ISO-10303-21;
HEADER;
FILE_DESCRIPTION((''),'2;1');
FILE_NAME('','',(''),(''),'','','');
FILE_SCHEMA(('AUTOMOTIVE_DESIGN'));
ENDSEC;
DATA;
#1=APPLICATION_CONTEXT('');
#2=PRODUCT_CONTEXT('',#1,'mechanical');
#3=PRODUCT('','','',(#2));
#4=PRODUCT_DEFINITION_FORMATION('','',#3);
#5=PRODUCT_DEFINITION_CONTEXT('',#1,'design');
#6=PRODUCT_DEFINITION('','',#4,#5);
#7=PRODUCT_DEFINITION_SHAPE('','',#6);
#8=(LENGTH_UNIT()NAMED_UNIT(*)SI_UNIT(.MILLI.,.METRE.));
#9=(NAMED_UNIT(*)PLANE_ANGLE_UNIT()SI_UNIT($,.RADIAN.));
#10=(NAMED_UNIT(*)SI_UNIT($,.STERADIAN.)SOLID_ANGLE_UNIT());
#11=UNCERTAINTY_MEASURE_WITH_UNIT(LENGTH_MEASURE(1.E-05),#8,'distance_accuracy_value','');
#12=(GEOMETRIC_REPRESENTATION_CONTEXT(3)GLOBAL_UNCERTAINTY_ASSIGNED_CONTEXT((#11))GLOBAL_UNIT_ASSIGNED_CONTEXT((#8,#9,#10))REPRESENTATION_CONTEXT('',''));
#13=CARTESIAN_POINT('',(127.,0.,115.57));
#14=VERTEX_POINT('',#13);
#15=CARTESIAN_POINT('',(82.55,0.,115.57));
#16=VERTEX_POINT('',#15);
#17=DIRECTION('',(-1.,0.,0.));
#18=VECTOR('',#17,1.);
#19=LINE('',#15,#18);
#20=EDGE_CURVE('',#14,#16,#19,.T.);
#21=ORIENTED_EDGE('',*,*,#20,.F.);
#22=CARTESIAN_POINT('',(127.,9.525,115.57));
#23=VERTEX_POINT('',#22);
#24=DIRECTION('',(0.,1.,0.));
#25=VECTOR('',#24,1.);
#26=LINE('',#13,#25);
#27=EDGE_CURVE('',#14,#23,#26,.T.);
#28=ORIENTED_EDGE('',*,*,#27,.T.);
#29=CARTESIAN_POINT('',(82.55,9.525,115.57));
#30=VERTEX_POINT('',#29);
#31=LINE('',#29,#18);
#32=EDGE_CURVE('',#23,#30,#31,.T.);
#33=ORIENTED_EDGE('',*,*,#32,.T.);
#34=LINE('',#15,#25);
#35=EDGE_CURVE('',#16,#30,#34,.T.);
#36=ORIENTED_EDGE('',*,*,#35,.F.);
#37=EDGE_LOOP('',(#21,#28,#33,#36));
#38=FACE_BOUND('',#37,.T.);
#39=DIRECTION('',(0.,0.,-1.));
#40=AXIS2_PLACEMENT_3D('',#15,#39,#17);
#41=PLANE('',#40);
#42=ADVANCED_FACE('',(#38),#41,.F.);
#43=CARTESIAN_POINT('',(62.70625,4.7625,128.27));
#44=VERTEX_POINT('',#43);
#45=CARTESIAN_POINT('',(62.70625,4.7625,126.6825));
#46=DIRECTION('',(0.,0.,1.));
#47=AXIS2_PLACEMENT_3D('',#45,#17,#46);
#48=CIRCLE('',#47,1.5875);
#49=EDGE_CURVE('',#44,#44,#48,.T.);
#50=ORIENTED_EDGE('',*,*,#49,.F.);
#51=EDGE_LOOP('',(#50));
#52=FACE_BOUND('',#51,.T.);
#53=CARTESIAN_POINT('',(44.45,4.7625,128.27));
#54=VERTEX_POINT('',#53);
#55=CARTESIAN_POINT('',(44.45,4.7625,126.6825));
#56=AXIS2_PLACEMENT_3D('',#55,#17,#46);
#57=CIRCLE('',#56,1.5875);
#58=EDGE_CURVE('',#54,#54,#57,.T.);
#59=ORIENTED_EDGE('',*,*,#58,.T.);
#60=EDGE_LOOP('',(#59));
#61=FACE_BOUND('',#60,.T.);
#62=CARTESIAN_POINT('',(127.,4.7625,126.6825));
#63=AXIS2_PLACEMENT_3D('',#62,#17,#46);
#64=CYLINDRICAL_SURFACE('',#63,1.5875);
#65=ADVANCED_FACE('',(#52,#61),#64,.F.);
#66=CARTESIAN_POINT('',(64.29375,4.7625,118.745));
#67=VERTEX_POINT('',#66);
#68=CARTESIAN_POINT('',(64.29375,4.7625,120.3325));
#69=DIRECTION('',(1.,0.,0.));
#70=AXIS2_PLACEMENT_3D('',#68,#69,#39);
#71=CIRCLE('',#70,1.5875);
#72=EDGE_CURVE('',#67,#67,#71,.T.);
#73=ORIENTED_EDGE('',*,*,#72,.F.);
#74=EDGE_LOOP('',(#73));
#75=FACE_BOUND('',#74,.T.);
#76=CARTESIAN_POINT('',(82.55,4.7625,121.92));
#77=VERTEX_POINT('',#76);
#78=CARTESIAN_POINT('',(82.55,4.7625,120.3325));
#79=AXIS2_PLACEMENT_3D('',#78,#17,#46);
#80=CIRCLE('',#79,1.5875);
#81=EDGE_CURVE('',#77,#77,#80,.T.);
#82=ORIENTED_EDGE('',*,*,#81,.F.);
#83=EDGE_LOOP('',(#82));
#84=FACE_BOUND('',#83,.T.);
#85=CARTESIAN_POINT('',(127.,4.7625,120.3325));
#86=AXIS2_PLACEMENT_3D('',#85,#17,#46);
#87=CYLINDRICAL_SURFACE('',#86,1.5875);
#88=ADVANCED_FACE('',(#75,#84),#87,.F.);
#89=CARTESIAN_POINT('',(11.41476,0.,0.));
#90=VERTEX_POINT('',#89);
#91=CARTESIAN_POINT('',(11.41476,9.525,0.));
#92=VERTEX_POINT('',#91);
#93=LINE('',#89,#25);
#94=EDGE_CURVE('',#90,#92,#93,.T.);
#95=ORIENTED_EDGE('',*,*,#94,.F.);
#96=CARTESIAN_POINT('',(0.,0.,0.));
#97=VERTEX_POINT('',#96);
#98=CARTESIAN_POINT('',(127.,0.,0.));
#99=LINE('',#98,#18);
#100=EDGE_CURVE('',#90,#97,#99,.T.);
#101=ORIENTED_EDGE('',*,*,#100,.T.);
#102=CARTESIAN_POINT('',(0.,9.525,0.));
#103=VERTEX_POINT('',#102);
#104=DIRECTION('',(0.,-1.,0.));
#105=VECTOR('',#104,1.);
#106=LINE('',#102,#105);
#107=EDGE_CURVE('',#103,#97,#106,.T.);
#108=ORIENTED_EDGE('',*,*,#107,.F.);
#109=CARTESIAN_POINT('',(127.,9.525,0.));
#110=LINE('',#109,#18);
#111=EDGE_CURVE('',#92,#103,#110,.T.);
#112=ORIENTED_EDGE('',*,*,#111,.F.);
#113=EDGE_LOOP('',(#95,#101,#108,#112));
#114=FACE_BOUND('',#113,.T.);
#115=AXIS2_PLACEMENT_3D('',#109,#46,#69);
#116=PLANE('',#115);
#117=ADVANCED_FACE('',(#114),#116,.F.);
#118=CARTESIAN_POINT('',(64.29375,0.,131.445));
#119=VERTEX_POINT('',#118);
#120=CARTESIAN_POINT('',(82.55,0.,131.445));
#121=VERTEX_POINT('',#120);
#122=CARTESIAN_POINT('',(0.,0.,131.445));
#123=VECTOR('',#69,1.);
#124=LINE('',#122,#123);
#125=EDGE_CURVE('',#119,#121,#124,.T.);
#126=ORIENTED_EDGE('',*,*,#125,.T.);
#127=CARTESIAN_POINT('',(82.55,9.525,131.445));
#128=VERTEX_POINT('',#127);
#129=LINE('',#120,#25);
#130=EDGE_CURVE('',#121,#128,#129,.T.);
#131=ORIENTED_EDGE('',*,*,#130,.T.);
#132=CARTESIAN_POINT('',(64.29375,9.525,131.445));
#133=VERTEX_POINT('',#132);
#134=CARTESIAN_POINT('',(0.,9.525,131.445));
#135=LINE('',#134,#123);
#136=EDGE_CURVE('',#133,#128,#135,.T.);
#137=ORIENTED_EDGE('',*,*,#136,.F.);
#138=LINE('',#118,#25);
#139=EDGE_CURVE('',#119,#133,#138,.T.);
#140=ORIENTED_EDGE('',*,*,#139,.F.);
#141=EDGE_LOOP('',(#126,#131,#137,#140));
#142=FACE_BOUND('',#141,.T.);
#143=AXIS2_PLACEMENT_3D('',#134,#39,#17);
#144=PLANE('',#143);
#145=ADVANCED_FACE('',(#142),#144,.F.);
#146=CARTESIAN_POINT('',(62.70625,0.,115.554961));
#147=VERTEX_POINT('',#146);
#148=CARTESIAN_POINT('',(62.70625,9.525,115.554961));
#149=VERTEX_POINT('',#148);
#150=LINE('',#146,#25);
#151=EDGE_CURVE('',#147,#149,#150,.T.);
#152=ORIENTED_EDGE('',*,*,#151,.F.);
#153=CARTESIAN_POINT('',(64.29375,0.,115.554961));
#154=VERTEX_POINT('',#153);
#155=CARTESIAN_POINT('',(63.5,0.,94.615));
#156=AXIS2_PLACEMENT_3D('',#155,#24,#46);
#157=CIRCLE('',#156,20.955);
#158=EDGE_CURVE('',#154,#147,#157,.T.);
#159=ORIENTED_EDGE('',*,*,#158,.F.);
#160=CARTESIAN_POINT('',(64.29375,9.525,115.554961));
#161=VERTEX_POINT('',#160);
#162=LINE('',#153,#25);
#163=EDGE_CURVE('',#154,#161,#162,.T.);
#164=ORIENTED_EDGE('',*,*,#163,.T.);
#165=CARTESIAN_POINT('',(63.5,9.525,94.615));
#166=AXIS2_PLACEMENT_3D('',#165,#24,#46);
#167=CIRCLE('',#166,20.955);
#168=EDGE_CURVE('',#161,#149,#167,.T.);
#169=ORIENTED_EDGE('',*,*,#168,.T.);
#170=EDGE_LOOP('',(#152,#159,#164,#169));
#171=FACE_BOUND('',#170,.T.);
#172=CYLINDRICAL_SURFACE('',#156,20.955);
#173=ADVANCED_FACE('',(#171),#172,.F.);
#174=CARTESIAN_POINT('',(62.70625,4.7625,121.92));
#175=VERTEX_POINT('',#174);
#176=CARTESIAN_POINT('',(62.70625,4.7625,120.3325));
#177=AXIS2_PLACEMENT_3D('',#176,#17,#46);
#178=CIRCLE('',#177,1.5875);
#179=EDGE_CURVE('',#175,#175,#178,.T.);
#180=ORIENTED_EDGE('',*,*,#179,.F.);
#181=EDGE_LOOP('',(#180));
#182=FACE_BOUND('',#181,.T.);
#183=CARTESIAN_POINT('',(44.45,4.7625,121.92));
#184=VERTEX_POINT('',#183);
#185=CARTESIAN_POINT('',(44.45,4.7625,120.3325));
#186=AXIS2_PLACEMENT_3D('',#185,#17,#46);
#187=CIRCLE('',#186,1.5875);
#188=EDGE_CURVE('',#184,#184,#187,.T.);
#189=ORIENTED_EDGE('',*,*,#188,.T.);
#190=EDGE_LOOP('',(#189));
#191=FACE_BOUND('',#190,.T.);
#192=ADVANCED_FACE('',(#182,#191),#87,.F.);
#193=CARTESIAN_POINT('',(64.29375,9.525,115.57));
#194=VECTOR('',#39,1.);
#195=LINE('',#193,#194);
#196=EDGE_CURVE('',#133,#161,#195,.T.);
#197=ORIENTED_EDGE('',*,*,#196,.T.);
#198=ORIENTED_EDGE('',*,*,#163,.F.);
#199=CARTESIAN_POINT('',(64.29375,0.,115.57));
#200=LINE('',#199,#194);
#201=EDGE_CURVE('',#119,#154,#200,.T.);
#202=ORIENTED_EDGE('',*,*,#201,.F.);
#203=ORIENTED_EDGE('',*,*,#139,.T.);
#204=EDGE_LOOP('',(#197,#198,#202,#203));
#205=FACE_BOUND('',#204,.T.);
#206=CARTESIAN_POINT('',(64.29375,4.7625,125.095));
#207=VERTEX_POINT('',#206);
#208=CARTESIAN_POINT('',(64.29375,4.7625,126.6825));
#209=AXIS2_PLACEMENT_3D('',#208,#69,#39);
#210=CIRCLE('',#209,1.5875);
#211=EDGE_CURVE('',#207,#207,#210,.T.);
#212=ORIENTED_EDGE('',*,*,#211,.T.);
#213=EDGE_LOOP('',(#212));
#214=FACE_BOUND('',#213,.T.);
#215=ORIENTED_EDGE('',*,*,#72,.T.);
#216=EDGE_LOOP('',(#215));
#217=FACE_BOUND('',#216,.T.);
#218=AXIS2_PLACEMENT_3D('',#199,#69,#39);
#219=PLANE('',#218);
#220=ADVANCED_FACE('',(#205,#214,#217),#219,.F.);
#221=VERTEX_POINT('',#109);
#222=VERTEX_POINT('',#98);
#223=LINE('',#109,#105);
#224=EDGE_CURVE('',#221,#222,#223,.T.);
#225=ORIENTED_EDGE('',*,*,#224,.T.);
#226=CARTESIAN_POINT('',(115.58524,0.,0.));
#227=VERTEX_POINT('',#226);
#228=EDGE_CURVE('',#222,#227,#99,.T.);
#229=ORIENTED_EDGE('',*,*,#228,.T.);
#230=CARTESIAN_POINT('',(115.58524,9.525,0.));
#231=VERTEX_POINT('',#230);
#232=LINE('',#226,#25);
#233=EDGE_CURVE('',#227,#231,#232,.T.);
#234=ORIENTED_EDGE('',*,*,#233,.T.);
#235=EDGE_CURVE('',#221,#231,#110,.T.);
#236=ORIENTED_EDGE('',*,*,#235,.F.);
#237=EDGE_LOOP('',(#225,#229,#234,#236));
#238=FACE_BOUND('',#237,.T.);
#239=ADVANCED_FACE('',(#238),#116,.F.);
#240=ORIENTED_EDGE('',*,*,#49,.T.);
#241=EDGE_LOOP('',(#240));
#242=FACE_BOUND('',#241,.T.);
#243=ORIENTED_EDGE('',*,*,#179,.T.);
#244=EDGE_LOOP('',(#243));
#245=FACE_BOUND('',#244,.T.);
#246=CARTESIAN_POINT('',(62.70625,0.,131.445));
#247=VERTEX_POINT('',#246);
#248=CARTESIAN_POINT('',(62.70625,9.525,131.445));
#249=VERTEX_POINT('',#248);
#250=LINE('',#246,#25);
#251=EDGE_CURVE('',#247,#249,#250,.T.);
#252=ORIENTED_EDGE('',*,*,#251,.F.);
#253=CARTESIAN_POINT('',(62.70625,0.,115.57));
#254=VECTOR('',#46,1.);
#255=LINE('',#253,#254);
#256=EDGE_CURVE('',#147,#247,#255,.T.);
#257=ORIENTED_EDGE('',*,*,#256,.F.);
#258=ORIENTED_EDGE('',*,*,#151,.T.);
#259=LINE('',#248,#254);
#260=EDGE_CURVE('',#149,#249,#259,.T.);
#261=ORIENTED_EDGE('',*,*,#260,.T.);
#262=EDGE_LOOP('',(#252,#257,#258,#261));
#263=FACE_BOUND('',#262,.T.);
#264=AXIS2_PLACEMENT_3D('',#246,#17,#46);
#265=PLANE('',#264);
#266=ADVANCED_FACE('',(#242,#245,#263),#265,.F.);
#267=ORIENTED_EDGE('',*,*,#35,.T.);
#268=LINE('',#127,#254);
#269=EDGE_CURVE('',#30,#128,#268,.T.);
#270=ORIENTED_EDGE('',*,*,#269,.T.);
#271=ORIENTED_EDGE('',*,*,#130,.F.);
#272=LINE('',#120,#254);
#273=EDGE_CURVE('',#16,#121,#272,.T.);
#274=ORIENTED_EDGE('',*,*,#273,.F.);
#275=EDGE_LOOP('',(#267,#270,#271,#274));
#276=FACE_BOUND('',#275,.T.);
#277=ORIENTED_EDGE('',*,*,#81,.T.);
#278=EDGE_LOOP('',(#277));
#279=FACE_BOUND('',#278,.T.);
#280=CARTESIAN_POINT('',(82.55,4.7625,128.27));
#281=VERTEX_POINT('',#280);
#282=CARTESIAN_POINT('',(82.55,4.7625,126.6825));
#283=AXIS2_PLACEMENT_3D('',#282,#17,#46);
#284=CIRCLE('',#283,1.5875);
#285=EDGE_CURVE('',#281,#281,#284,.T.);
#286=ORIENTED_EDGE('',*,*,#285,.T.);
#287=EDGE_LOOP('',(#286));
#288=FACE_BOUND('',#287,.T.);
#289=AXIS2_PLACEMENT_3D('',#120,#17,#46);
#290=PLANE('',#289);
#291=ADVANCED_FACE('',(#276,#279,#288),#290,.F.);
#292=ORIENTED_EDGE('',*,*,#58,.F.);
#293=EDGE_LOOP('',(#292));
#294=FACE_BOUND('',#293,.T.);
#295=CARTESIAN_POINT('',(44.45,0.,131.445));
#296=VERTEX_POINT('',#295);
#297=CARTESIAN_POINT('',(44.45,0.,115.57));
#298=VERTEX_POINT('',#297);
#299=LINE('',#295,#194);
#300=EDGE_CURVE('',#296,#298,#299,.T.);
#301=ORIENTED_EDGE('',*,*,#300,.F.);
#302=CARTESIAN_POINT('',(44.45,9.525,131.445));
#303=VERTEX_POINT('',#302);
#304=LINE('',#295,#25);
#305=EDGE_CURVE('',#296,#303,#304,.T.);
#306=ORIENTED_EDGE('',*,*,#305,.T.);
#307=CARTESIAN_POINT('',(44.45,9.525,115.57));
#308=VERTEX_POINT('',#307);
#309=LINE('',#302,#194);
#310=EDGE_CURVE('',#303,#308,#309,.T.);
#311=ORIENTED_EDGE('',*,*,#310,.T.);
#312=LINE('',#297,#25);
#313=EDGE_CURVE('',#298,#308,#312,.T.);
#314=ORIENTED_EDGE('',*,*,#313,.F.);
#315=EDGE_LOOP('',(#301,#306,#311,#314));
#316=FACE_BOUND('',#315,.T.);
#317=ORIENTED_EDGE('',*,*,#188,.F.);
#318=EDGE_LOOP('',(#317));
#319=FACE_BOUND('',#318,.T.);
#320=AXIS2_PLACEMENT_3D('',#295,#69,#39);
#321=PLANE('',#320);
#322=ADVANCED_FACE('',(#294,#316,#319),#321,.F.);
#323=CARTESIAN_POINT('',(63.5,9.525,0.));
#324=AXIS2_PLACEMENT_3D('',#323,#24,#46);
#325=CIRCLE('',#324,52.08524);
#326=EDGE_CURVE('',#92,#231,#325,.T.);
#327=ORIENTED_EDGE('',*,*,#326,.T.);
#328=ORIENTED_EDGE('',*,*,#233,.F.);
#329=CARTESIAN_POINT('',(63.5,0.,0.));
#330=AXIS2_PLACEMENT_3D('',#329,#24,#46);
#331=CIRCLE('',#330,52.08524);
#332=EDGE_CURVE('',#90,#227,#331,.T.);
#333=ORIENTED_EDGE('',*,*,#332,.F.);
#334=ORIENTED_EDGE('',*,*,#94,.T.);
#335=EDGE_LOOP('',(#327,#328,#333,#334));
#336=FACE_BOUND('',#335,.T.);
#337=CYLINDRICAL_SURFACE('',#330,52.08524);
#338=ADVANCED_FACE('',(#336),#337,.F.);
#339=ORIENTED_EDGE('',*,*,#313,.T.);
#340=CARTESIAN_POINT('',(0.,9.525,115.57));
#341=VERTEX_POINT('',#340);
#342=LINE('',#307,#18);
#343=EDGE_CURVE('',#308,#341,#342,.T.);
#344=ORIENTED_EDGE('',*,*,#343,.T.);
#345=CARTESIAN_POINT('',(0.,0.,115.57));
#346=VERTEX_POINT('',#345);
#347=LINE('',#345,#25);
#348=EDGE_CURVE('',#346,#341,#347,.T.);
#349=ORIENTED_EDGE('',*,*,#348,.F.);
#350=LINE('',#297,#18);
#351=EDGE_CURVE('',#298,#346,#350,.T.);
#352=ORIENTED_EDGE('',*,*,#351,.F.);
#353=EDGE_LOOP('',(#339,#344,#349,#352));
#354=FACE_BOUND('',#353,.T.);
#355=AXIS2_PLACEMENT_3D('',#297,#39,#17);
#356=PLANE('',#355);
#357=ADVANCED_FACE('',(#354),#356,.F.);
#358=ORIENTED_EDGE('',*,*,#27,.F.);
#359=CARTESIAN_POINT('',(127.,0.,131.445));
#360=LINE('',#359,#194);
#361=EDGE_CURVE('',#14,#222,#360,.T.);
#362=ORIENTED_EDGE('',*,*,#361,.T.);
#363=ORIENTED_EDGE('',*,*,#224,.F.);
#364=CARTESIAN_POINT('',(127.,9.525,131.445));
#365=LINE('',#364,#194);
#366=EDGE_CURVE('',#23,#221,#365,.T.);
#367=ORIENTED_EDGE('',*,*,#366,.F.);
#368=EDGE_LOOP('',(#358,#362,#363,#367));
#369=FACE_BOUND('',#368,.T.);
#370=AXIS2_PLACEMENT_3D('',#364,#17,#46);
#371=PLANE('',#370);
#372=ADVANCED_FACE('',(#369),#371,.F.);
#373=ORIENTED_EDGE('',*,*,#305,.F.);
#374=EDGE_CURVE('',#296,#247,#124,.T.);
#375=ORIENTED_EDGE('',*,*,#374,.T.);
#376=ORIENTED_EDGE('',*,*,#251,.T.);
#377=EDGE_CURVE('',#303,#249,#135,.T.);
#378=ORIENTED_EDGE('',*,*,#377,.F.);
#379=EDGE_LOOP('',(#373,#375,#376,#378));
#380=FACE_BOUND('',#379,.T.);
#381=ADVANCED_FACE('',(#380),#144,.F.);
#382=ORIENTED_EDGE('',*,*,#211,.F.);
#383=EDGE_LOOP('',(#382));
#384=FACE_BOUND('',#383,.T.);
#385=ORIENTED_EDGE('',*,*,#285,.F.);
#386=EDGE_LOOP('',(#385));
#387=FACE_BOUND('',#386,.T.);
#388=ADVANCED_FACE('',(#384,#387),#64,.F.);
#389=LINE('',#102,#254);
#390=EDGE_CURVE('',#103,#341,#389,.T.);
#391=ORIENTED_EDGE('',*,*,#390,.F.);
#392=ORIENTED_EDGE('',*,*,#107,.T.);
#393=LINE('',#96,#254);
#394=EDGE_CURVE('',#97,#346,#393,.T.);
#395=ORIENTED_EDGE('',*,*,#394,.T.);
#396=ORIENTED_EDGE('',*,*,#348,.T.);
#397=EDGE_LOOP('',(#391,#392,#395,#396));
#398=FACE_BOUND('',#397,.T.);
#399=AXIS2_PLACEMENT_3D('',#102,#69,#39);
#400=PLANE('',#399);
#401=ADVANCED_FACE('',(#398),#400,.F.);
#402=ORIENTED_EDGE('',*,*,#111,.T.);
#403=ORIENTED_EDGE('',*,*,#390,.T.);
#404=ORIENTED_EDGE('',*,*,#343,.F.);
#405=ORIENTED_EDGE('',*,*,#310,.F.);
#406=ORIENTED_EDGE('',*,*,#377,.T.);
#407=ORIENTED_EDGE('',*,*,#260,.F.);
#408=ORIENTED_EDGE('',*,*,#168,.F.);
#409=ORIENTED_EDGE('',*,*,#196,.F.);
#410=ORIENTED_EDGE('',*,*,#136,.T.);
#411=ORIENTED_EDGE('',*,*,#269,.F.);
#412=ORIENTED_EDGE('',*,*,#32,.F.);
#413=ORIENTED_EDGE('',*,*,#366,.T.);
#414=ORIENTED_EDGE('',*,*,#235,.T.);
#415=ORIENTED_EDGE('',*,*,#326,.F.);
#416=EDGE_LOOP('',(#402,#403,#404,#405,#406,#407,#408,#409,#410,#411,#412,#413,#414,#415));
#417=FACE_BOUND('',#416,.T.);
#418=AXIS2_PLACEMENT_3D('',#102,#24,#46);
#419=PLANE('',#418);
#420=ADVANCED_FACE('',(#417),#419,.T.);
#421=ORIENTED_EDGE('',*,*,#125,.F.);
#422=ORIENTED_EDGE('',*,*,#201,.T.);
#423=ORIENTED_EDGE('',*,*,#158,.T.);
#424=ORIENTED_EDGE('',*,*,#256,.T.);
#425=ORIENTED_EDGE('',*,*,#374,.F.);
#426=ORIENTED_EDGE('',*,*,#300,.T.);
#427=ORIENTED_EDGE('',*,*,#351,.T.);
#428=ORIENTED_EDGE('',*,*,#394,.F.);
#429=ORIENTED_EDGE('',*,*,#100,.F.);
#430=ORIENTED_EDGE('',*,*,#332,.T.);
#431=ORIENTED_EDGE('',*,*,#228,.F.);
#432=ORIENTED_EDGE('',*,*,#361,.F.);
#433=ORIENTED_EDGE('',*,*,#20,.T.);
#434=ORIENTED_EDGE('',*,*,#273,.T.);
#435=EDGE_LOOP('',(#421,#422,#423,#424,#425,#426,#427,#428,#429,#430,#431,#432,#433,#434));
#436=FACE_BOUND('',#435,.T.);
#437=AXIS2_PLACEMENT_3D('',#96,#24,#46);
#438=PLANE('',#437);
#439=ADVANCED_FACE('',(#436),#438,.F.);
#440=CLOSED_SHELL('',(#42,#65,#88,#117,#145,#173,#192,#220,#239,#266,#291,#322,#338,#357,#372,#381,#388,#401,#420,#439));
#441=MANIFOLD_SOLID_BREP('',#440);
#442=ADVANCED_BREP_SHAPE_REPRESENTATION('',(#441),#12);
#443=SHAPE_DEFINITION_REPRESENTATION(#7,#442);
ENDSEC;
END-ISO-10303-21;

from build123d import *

# Parameters (mm, degrees)
SKETCH1_W           = 127
SKETCH1_H           = 131.445
BOSS_EXTRUDE1_DEPTH = 9.525
SKETCH2_W           = 44.45
SKETCH2_H           = 15.875
CUT_EXTRUDE1_DEPTH  = 10.525
CUT_EXTRUDE2_DEPTH  = 10.525
CUT_EXTRUDE3_DEPTH  = 10.525
SKETCH6_R           = 1.5875
CUT_EXTRUDE4_DEPTH  = 83.55


with BuildPart() as part:
    # Sketch1 → Boss-Extrude1 (new body)
    with BuildSketch(Plane(origin=(0, 0, 0), x_dir=(1, 0, 0), z_dir=(0, 1, 0))):
        with Locations((63.5, -65.7225)):
            Rectangle(SKETCH1_W, SKETCH1_H)
    extrude(amount=BOSS_EXTRUDE1_DEPTH)

    # Sketch2 → Cut-Extrude1 (cut, through all)
    with BuildSketch(Plane(origin=(0, 9.525, 0), x_dir=(1, 0, 0), z_dir=(0, 1, 0))):
        with Locations((22.225, -123.5075)):
            Rectangle(SKETCH2_W, SKETCH2_H)
        with Locations((104.775, -123.5075)):
            Rectangle(SKETCH2_W, SKETCH2_H)
    extrude(amount=-CUT_EXTRUDE1_DEPTH, mode=Mode.SUBTRACT)

    # Sketch3 → Cut-Extrude2 (cut, through all)
    with BuildSketch(Plane(origin=(0, 9.525, 0), x_dir=(1, 0, 0), z_dir=(0, 1, 0))):
        with BuildLine():
            Line((63.5, -131.445), (64.29375, -131.445))
            Line((64.29375, -131.445), (64.29375, -115.57))
            Line((64.29375, -115.57), (64.29375, -115.55496146))
            ThreePointArc((64.29375, -115.55496146), (63.5, -73.66), (62.70625, -115.55496146))
            Line((62.70625, -115.55496146), (62.70625, -115.57))
            Line((62.70625, -115.57), (62.70625, -131.445))
            Line((62.70625, -131.445), (63.5, -131.445))
        make_face()
    extrude(amount=-CUT_EXTRUDE2_DEPTH, mode=Mode.SUBTRACT)

    # Sketch5 → Cut-Extrude3 (cut, through all)
    with BuildSketch(Plane(origin=(0, 9.525, 0), x_dir=(1, 0, 0), z_dir=(0, 1, 0))):
        with BuildLine():
            ThreePointArc((11.41476, 0), (63.5, -52.08524), (115.58524, 0))
            Line((115.58524, 0), (11.41476, 0))
        make_face()
        with BuildLine():
            Line((11.41476, 0), (115.58524, 0))
            ThreePointArc((115.58524, 0), (63.5, 52.08524), (11.41476, 0))
        make_face()
    extrude(amount=-CUT_EXTRUDE3_DEPTH, mode=Mode.SUBTRACT)

    # Sketch6 → Cut-Extrude4 (cut, through all)
    with BuildSketch(Plane.ZY.offset(-44.45)):
        with Locations((120.3325, 4.7625)):
            Circle(SKETCH6_R)
        with Locations((126.6825, 4.7625)):
            Circle(SKETCH6_R)
    extrude(amount=-CUT_EXTRUDE4_DEPTH, mode=Mode.SUBTRACT)


solid = part.part
